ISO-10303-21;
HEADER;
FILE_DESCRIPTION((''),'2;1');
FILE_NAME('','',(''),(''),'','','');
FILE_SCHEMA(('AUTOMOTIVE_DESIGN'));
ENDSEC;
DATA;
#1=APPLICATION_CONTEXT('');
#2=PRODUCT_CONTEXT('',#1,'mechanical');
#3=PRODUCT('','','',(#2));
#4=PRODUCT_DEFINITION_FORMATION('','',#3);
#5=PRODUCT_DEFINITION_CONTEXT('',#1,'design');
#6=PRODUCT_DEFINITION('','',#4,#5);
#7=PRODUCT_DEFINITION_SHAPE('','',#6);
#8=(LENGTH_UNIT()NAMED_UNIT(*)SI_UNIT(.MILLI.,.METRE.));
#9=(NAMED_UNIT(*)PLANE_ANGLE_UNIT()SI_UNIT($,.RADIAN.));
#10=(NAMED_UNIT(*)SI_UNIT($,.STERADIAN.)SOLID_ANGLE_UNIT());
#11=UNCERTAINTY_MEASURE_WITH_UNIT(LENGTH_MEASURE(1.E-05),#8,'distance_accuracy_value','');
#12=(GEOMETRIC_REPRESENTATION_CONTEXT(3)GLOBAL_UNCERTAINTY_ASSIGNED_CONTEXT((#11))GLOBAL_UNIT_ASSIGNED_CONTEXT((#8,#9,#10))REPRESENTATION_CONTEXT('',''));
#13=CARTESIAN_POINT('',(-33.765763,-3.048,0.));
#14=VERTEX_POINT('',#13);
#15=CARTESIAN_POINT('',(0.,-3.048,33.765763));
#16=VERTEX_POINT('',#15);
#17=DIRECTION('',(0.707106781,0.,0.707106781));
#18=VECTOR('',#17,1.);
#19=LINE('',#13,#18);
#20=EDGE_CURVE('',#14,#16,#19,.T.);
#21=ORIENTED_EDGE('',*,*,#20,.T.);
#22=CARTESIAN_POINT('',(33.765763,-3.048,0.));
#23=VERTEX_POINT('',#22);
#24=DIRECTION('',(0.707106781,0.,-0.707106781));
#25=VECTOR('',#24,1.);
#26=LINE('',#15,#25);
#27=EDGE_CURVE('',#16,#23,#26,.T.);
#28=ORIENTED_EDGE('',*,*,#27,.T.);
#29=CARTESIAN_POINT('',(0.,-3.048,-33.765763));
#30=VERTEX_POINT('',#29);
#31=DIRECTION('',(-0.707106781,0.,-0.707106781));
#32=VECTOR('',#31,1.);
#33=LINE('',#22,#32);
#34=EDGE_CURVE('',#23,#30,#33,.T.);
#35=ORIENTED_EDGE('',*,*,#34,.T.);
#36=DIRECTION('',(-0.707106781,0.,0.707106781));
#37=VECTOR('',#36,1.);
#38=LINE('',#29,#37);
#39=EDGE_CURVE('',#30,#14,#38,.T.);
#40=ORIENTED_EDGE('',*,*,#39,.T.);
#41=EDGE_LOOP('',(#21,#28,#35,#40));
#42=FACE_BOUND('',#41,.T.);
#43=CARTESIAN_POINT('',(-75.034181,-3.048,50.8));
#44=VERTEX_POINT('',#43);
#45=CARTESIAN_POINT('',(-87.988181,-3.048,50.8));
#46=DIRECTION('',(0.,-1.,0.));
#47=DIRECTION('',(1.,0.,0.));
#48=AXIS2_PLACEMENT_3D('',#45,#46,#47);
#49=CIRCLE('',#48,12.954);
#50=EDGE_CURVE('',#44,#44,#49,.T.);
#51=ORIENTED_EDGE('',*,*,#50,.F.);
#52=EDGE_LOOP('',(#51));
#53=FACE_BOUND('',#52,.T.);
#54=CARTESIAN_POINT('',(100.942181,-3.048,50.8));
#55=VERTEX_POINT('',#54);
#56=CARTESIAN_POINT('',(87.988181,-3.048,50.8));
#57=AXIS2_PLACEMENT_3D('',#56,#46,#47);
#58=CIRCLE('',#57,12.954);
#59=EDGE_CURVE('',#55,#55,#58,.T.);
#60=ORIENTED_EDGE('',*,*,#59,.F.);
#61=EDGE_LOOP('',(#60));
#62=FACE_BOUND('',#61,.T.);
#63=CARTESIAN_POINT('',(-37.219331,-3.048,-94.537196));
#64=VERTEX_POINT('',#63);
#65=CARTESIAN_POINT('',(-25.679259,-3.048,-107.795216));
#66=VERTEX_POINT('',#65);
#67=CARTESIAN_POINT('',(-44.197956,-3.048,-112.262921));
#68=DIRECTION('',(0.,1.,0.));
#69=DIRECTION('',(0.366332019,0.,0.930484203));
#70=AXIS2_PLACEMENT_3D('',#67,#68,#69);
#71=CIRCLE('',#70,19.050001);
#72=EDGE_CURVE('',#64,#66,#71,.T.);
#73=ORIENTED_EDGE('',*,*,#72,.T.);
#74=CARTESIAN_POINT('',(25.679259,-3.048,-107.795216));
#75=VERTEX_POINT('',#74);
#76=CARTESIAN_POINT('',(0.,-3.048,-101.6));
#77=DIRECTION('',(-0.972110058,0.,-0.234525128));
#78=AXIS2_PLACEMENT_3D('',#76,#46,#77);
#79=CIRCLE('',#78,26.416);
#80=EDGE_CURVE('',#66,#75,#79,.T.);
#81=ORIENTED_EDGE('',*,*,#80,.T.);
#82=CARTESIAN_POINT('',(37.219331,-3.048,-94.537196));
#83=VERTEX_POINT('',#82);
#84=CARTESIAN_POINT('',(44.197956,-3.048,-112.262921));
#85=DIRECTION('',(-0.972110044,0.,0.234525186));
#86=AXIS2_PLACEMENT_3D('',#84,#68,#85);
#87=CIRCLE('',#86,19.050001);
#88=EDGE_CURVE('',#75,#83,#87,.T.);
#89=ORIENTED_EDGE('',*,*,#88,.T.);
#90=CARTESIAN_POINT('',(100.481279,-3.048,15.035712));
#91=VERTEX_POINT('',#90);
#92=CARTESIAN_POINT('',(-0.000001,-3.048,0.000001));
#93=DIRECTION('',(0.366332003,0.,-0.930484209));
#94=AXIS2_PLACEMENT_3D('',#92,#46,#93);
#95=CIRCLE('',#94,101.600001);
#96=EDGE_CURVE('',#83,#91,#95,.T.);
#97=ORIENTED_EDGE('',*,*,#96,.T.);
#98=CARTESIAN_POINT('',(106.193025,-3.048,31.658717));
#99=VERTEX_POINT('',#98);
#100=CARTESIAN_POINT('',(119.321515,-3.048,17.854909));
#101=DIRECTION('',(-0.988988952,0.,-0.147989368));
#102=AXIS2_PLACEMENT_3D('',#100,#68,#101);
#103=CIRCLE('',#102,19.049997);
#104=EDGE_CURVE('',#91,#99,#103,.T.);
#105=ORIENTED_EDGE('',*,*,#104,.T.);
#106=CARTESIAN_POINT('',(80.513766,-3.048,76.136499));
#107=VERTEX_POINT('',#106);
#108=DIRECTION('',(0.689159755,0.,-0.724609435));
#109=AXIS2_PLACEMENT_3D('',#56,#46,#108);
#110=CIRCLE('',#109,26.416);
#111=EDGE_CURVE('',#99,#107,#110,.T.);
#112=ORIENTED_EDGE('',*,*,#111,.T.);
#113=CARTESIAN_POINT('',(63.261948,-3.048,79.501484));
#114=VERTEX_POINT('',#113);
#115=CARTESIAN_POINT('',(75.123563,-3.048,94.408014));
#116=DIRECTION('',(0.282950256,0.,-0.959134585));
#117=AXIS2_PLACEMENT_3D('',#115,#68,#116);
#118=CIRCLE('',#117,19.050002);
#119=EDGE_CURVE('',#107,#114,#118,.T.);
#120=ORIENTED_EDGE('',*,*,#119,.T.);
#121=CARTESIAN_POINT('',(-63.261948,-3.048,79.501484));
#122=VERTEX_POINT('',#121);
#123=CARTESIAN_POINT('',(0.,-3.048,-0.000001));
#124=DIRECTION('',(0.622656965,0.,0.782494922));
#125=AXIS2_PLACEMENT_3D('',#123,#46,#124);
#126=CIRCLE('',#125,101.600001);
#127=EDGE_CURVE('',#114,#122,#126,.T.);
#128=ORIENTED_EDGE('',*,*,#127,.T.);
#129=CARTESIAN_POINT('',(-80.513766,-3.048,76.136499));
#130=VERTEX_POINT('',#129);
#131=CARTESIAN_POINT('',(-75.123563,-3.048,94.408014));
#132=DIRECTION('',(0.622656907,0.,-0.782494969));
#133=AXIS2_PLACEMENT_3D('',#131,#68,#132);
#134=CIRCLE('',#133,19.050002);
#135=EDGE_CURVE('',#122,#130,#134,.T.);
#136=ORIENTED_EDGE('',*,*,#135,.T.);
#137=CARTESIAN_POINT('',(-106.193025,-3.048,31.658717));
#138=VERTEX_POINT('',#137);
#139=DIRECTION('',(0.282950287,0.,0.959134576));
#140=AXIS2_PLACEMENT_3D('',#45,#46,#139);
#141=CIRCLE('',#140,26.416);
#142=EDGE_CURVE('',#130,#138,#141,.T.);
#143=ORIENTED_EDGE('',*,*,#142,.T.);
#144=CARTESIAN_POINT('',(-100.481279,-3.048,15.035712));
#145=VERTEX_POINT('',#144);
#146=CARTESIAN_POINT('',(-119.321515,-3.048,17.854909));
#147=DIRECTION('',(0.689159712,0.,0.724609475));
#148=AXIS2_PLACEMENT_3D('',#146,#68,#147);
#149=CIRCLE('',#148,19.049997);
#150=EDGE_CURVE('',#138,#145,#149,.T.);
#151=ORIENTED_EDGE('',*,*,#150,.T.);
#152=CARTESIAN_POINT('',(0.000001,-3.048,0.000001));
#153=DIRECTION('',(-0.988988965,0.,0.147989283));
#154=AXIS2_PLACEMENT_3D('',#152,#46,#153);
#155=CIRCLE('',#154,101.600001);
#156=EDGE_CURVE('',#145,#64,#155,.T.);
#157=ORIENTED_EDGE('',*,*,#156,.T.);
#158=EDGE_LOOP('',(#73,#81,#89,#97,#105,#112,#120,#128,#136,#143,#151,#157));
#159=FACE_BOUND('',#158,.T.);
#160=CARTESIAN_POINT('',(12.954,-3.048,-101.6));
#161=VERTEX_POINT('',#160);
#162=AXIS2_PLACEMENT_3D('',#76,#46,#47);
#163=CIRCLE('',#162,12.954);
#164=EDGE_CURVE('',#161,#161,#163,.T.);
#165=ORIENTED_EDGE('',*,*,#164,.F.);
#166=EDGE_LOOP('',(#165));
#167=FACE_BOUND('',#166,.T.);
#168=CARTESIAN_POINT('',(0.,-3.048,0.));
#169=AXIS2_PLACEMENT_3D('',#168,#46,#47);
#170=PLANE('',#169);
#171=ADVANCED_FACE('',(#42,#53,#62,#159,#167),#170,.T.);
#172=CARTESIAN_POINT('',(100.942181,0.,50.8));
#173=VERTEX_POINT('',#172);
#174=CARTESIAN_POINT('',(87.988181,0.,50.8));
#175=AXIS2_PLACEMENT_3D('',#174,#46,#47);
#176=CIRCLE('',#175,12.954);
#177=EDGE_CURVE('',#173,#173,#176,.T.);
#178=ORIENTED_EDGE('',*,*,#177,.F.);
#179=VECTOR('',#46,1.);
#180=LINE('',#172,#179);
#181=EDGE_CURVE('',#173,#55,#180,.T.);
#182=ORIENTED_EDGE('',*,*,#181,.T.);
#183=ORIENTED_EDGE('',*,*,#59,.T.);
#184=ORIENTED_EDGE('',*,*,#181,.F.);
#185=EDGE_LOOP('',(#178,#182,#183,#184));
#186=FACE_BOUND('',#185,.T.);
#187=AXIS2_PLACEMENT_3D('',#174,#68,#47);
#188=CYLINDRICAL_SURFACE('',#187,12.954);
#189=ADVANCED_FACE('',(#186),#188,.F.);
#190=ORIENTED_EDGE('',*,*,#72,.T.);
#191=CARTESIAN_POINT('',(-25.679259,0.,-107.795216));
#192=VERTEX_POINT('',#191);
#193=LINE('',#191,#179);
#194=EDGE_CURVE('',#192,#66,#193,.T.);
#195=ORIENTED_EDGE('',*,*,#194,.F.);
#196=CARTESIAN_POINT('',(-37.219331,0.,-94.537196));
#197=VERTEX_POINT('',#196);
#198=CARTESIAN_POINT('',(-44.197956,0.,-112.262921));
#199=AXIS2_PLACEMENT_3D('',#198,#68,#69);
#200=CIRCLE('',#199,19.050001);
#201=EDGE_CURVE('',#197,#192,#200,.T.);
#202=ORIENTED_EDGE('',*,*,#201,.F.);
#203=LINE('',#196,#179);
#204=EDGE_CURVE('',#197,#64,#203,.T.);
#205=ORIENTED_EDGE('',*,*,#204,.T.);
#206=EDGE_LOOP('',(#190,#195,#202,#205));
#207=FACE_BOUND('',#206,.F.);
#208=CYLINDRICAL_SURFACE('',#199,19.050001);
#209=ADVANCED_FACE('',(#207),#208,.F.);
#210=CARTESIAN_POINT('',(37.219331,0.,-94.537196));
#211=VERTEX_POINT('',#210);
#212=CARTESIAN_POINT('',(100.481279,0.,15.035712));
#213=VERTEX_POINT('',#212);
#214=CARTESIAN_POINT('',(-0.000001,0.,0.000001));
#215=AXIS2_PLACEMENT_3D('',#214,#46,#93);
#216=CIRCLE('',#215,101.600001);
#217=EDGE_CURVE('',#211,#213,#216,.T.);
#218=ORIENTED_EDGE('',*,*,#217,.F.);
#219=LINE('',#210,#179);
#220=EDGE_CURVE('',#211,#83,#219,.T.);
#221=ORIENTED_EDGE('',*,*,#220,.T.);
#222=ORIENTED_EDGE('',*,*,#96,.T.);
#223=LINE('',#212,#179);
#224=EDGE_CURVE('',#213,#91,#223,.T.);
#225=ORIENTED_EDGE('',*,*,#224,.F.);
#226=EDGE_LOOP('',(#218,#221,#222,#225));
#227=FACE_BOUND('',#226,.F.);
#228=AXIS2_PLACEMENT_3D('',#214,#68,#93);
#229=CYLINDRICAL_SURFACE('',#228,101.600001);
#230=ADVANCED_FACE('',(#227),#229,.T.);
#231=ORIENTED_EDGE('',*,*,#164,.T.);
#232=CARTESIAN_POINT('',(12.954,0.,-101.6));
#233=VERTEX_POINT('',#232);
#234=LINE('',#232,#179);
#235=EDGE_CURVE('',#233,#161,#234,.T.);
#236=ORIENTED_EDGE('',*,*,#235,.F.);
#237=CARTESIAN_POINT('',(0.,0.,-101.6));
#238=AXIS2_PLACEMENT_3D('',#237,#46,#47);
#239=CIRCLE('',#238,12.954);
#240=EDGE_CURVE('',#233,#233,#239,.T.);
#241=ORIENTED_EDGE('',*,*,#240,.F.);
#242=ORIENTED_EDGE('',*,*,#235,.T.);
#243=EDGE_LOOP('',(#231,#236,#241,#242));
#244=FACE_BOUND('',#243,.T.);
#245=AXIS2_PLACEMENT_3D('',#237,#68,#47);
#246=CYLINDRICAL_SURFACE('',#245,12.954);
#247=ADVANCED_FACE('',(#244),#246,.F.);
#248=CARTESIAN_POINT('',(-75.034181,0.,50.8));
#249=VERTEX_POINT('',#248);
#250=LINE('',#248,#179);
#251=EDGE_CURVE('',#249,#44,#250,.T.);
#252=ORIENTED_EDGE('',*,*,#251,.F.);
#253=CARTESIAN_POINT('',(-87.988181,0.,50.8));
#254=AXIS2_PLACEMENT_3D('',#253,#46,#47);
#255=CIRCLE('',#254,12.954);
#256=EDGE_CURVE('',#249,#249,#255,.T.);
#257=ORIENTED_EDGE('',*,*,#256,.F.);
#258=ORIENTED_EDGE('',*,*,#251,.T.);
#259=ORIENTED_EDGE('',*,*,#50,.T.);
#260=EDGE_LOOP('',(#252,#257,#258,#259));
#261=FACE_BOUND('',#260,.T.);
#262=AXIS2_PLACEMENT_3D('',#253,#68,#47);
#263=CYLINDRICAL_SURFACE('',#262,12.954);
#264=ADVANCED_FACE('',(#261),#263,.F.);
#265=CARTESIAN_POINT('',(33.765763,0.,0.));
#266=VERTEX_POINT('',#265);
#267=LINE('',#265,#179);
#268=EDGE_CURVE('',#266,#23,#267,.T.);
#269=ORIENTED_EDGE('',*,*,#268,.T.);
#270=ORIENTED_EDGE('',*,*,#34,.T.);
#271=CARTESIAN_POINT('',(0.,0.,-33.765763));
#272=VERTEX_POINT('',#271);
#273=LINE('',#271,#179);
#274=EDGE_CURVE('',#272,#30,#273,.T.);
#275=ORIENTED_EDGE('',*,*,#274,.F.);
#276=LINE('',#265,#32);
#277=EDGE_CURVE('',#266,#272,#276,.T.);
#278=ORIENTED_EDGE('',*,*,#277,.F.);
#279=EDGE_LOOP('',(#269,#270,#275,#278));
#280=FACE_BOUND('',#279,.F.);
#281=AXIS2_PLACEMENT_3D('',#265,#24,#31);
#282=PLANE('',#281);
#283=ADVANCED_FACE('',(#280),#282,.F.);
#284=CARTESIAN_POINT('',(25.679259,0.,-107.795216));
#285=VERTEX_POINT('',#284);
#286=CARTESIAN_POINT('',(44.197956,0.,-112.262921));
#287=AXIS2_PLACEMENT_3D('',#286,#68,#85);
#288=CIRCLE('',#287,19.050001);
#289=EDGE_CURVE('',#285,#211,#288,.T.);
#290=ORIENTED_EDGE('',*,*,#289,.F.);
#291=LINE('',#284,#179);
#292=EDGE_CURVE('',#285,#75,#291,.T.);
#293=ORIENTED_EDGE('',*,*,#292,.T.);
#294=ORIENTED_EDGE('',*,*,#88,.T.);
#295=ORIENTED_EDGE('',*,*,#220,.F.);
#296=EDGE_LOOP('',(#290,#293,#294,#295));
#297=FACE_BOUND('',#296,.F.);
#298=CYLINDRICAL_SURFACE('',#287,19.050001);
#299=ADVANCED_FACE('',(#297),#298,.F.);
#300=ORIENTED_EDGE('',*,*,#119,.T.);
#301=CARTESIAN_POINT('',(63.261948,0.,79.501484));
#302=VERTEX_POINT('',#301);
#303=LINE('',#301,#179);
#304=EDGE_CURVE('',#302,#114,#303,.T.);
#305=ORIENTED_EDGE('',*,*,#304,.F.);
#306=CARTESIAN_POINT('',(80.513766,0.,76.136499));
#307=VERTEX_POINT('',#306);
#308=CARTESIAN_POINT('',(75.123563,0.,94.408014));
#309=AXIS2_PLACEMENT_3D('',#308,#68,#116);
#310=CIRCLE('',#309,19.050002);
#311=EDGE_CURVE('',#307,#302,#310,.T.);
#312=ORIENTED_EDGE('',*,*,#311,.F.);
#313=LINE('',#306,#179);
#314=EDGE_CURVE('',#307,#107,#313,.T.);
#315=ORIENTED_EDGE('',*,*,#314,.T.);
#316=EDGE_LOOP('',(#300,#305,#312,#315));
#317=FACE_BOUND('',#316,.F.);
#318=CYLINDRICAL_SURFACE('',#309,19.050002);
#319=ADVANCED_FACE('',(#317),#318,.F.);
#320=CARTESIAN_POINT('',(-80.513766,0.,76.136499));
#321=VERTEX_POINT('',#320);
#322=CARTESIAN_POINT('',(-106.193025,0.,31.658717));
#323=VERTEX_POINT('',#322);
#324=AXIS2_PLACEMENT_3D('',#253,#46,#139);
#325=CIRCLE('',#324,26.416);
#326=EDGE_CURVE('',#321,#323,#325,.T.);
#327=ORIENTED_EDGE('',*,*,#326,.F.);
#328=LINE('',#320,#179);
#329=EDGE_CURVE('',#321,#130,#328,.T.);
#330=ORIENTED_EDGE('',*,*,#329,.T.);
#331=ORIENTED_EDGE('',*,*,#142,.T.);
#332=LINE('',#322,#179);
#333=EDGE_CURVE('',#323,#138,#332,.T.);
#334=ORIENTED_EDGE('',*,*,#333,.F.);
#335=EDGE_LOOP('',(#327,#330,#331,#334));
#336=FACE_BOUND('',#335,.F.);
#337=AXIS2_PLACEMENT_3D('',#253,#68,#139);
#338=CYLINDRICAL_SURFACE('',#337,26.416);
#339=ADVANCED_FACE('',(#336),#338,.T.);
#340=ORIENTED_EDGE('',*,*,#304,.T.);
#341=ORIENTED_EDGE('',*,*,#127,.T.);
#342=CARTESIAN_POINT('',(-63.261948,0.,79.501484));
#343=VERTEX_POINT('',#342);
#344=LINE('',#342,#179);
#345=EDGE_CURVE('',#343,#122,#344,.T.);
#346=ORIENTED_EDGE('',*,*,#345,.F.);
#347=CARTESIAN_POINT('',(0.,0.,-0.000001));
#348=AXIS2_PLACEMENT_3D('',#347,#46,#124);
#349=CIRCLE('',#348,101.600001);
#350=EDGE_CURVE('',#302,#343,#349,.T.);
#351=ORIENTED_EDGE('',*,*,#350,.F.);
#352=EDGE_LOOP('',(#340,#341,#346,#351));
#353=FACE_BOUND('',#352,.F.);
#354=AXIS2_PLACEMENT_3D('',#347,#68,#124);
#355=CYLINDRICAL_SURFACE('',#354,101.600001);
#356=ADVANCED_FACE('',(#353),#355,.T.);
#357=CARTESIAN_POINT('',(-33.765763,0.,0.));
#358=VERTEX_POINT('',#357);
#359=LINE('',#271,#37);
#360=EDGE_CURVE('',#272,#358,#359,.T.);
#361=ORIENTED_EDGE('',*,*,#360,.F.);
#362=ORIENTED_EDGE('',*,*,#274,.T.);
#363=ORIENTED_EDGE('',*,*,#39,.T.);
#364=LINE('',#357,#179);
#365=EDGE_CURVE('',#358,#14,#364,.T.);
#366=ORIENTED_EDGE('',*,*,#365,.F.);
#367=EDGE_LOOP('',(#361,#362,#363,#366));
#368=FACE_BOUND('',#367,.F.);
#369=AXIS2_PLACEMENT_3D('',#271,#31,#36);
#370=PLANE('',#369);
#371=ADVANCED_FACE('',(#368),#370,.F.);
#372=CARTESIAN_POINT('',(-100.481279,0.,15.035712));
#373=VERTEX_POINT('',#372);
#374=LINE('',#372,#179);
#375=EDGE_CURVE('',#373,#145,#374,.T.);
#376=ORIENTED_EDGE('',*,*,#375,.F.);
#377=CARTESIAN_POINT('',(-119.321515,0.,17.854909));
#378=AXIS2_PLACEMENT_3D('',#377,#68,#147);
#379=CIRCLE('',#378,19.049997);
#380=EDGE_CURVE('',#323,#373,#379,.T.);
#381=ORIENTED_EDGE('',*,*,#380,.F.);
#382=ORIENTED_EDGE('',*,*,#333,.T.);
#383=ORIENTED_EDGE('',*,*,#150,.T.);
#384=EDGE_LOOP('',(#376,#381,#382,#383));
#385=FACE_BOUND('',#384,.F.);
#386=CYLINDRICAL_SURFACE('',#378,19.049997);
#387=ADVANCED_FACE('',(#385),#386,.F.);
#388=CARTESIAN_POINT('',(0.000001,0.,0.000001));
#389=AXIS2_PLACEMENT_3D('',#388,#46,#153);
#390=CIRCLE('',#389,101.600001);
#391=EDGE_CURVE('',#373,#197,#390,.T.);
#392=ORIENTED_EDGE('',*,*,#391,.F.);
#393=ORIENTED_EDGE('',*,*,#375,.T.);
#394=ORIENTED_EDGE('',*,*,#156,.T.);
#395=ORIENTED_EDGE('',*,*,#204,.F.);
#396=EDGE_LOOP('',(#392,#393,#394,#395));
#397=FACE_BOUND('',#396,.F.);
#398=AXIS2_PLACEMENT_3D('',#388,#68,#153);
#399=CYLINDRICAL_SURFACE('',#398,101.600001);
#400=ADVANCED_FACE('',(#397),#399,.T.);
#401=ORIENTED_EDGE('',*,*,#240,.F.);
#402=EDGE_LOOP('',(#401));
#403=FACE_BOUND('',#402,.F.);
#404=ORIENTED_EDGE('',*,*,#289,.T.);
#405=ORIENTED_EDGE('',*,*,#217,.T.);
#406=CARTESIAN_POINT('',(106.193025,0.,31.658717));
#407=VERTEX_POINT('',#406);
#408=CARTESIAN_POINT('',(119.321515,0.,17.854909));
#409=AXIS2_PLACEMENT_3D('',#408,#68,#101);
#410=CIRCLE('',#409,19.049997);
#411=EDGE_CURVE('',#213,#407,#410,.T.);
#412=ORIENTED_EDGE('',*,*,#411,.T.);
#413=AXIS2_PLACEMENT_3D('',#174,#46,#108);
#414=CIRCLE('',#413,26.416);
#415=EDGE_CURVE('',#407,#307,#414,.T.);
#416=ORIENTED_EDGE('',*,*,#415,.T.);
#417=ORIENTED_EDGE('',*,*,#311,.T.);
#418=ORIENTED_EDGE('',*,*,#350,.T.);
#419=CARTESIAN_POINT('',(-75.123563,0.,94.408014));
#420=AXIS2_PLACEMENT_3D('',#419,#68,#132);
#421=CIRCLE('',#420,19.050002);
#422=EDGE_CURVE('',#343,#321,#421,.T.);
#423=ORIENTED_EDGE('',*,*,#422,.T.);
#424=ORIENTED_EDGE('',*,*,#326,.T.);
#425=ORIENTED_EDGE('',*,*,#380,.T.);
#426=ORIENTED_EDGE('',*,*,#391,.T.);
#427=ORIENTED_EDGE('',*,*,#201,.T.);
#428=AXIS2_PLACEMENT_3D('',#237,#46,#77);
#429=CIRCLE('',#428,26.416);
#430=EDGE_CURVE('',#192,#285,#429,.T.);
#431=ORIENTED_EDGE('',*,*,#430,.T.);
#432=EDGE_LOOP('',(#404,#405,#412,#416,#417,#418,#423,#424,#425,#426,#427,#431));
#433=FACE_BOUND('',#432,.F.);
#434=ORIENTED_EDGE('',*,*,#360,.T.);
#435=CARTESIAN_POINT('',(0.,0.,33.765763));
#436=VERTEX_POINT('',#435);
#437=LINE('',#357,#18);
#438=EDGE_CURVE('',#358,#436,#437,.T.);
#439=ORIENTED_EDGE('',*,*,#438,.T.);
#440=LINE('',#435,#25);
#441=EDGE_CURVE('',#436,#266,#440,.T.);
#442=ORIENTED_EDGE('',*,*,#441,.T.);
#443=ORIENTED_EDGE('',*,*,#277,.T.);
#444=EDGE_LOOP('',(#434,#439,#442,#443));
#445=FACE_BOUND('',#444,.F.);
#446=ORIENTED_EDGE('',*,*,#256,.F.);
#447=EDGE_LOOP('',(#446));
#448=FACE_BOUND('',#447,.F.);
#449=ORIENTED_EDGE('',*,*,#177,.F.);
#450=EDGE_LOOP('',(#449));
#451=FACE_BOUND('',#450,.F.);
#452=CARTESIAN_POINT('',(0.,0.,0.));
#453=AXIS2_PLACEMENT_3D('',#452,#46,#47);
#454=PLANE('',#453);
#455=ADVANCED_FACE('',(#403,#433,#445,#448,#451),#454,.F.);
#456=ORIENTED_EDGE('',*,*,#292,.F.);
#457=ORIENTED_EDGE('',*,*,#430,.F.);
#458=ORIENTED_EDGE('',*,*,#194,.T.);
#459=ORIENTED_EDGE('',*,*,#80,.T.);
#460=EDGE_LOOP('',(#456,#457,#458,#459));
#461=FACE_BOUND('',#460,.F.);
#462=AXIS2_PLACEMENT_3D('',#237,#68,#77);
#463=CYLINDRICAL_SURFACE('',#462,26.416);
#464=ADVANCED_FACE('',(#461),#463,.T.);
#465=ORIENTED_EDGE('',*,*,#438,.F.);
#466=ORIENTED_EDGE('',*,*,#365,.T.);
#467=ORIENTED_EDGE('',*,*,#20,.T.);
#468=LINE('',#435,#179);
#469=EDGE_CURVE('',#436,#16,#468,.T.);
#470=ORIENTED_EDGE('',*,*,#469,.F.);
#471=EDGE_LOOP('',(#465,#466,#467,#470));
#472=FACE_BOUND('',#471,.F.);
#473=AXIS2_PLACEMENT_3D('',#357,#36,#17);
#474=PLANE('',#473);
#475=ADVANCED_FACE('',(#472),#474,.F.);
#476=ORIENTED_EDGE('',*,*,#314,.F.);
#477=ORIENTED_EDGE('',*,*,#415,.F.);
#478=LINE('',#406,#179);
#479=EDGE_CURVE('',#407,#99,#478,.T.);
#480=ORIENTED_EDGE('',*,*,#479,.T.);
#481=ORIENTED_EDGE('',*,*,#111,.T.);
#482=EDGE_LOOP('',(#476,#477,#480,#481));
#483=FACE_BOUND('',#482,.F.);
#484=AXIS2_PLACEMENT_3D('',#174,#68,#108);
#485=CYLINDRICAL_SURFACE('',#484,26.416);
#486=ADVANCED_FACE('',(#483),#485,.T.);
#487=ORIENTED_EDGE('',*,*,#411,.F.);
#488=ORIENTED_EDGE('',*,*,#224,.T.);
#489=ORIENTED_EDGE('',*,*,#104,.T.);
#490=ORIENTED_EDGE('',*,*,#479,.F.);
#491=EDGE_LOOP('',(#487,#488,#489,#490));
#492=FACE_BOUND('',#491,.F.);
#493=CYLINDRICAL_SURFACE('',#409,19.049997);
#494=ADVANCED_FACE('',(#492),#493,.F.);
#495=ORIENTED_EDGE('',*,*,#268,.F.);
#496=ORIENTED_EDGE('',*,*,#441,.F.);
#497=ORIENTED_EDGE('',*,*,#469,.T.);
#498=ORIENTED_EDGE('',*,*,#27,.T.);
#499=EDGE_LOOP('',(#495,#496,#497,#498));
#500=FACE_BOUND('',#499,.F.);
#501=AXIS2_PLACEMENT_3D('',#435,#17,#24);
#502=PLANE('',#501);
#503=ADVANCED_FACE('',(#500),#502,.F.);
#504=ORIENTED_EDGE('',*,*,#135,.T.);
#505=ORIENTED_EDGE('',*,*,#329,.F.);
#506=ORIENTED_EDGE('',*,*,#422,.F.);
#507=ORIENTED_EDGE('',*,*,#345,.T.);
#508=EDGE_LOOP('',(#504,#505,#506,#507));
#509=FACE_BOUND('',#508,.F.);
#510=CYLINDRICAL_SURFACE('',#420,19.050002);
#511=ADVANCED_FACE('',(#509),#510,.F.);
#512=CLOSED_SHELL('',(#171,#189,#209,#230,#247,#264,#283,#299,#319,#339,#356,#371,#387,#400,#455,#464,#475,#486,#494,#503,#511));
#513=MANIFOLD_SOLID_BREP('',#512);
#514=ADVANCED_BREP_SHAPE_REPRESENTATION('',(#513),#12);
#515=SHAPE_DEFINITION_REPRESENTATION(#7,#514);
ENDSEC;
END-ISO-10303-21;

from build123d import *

# Parameters (mm, degrees)
F0_R     = 12.954
F1_DEPTH = 3.048


with BuildPart() as f1:
    # F0 (on Front) → F1 (new body)
    with BuildSketch(Plane.XZ):
        with BuildLine():
            ThreePointArc((-106.193025, 31.658717), (-101.305385, 24.045339), (-100.481279, 15.035712))
            ThreePointArc((-100.481279, 15.035712), (-87.988181, -50.8), (-37.219331, -94.537196))
            ThreePointArc((-37.219331, -94.537196), (-29.828818, -99.755707), (-25.679259, -107.795216))
            ThreePointArc((-25.679259, -107.795216), (0, -128.016), (25.679259, -107.795216))
            ThreePointArc((25.679259, -107.795216), (29.828818, -99.755707), (37.219331, -94.537196))
            ThreePointArc((37.219331, -94.537196), (87.988181, -50.8), (100.481279, 15.035712))
            ThreePointArc((100.481279, 15.035712), (101.305385, 24.045339), (106.193025, 31.658717))
            ThreePointArc((106.193025, 31.658717), (110.865108, 64.008), (80.513766, 76.136499))
            ThreePointArc((80.513766, 76.136499), (71.476567, 75.710368), (63.261948, 79.501484))
            ThreePointArc((63.261948, 79.501484), (0, 101.6), (-63.261948, 79.501484))
            ThreePointArc((-63.261948, 79.501484), (-71.476567, 75.710368), (-80.513766, 76.136499))
            ThreePointArc((-80.513766, 76.136499), (-110.865108, 64.008), (-106.193025, 31.658717))
        make_face()
        with Locations((0, -101.6)):
            Circle(F0_R, mode=Mode.SUBTRACT)
        with Locations((-87.988181, 50.8)):
            Circle(F0_R, mode=Mode.SUBTRACT)
        Polygon((-33.765763, 0), (0, 33.765763), (33.765763, 0), (0, -33.765763), align=None, mode=Mode.SUBTRACT)
        with Locations((87.988181, 50.8)):
            Circle(F0_R, mode=Mode.SUBTRACT)
    extrude(amount=F1_DEPTH)


solid = f1.part
